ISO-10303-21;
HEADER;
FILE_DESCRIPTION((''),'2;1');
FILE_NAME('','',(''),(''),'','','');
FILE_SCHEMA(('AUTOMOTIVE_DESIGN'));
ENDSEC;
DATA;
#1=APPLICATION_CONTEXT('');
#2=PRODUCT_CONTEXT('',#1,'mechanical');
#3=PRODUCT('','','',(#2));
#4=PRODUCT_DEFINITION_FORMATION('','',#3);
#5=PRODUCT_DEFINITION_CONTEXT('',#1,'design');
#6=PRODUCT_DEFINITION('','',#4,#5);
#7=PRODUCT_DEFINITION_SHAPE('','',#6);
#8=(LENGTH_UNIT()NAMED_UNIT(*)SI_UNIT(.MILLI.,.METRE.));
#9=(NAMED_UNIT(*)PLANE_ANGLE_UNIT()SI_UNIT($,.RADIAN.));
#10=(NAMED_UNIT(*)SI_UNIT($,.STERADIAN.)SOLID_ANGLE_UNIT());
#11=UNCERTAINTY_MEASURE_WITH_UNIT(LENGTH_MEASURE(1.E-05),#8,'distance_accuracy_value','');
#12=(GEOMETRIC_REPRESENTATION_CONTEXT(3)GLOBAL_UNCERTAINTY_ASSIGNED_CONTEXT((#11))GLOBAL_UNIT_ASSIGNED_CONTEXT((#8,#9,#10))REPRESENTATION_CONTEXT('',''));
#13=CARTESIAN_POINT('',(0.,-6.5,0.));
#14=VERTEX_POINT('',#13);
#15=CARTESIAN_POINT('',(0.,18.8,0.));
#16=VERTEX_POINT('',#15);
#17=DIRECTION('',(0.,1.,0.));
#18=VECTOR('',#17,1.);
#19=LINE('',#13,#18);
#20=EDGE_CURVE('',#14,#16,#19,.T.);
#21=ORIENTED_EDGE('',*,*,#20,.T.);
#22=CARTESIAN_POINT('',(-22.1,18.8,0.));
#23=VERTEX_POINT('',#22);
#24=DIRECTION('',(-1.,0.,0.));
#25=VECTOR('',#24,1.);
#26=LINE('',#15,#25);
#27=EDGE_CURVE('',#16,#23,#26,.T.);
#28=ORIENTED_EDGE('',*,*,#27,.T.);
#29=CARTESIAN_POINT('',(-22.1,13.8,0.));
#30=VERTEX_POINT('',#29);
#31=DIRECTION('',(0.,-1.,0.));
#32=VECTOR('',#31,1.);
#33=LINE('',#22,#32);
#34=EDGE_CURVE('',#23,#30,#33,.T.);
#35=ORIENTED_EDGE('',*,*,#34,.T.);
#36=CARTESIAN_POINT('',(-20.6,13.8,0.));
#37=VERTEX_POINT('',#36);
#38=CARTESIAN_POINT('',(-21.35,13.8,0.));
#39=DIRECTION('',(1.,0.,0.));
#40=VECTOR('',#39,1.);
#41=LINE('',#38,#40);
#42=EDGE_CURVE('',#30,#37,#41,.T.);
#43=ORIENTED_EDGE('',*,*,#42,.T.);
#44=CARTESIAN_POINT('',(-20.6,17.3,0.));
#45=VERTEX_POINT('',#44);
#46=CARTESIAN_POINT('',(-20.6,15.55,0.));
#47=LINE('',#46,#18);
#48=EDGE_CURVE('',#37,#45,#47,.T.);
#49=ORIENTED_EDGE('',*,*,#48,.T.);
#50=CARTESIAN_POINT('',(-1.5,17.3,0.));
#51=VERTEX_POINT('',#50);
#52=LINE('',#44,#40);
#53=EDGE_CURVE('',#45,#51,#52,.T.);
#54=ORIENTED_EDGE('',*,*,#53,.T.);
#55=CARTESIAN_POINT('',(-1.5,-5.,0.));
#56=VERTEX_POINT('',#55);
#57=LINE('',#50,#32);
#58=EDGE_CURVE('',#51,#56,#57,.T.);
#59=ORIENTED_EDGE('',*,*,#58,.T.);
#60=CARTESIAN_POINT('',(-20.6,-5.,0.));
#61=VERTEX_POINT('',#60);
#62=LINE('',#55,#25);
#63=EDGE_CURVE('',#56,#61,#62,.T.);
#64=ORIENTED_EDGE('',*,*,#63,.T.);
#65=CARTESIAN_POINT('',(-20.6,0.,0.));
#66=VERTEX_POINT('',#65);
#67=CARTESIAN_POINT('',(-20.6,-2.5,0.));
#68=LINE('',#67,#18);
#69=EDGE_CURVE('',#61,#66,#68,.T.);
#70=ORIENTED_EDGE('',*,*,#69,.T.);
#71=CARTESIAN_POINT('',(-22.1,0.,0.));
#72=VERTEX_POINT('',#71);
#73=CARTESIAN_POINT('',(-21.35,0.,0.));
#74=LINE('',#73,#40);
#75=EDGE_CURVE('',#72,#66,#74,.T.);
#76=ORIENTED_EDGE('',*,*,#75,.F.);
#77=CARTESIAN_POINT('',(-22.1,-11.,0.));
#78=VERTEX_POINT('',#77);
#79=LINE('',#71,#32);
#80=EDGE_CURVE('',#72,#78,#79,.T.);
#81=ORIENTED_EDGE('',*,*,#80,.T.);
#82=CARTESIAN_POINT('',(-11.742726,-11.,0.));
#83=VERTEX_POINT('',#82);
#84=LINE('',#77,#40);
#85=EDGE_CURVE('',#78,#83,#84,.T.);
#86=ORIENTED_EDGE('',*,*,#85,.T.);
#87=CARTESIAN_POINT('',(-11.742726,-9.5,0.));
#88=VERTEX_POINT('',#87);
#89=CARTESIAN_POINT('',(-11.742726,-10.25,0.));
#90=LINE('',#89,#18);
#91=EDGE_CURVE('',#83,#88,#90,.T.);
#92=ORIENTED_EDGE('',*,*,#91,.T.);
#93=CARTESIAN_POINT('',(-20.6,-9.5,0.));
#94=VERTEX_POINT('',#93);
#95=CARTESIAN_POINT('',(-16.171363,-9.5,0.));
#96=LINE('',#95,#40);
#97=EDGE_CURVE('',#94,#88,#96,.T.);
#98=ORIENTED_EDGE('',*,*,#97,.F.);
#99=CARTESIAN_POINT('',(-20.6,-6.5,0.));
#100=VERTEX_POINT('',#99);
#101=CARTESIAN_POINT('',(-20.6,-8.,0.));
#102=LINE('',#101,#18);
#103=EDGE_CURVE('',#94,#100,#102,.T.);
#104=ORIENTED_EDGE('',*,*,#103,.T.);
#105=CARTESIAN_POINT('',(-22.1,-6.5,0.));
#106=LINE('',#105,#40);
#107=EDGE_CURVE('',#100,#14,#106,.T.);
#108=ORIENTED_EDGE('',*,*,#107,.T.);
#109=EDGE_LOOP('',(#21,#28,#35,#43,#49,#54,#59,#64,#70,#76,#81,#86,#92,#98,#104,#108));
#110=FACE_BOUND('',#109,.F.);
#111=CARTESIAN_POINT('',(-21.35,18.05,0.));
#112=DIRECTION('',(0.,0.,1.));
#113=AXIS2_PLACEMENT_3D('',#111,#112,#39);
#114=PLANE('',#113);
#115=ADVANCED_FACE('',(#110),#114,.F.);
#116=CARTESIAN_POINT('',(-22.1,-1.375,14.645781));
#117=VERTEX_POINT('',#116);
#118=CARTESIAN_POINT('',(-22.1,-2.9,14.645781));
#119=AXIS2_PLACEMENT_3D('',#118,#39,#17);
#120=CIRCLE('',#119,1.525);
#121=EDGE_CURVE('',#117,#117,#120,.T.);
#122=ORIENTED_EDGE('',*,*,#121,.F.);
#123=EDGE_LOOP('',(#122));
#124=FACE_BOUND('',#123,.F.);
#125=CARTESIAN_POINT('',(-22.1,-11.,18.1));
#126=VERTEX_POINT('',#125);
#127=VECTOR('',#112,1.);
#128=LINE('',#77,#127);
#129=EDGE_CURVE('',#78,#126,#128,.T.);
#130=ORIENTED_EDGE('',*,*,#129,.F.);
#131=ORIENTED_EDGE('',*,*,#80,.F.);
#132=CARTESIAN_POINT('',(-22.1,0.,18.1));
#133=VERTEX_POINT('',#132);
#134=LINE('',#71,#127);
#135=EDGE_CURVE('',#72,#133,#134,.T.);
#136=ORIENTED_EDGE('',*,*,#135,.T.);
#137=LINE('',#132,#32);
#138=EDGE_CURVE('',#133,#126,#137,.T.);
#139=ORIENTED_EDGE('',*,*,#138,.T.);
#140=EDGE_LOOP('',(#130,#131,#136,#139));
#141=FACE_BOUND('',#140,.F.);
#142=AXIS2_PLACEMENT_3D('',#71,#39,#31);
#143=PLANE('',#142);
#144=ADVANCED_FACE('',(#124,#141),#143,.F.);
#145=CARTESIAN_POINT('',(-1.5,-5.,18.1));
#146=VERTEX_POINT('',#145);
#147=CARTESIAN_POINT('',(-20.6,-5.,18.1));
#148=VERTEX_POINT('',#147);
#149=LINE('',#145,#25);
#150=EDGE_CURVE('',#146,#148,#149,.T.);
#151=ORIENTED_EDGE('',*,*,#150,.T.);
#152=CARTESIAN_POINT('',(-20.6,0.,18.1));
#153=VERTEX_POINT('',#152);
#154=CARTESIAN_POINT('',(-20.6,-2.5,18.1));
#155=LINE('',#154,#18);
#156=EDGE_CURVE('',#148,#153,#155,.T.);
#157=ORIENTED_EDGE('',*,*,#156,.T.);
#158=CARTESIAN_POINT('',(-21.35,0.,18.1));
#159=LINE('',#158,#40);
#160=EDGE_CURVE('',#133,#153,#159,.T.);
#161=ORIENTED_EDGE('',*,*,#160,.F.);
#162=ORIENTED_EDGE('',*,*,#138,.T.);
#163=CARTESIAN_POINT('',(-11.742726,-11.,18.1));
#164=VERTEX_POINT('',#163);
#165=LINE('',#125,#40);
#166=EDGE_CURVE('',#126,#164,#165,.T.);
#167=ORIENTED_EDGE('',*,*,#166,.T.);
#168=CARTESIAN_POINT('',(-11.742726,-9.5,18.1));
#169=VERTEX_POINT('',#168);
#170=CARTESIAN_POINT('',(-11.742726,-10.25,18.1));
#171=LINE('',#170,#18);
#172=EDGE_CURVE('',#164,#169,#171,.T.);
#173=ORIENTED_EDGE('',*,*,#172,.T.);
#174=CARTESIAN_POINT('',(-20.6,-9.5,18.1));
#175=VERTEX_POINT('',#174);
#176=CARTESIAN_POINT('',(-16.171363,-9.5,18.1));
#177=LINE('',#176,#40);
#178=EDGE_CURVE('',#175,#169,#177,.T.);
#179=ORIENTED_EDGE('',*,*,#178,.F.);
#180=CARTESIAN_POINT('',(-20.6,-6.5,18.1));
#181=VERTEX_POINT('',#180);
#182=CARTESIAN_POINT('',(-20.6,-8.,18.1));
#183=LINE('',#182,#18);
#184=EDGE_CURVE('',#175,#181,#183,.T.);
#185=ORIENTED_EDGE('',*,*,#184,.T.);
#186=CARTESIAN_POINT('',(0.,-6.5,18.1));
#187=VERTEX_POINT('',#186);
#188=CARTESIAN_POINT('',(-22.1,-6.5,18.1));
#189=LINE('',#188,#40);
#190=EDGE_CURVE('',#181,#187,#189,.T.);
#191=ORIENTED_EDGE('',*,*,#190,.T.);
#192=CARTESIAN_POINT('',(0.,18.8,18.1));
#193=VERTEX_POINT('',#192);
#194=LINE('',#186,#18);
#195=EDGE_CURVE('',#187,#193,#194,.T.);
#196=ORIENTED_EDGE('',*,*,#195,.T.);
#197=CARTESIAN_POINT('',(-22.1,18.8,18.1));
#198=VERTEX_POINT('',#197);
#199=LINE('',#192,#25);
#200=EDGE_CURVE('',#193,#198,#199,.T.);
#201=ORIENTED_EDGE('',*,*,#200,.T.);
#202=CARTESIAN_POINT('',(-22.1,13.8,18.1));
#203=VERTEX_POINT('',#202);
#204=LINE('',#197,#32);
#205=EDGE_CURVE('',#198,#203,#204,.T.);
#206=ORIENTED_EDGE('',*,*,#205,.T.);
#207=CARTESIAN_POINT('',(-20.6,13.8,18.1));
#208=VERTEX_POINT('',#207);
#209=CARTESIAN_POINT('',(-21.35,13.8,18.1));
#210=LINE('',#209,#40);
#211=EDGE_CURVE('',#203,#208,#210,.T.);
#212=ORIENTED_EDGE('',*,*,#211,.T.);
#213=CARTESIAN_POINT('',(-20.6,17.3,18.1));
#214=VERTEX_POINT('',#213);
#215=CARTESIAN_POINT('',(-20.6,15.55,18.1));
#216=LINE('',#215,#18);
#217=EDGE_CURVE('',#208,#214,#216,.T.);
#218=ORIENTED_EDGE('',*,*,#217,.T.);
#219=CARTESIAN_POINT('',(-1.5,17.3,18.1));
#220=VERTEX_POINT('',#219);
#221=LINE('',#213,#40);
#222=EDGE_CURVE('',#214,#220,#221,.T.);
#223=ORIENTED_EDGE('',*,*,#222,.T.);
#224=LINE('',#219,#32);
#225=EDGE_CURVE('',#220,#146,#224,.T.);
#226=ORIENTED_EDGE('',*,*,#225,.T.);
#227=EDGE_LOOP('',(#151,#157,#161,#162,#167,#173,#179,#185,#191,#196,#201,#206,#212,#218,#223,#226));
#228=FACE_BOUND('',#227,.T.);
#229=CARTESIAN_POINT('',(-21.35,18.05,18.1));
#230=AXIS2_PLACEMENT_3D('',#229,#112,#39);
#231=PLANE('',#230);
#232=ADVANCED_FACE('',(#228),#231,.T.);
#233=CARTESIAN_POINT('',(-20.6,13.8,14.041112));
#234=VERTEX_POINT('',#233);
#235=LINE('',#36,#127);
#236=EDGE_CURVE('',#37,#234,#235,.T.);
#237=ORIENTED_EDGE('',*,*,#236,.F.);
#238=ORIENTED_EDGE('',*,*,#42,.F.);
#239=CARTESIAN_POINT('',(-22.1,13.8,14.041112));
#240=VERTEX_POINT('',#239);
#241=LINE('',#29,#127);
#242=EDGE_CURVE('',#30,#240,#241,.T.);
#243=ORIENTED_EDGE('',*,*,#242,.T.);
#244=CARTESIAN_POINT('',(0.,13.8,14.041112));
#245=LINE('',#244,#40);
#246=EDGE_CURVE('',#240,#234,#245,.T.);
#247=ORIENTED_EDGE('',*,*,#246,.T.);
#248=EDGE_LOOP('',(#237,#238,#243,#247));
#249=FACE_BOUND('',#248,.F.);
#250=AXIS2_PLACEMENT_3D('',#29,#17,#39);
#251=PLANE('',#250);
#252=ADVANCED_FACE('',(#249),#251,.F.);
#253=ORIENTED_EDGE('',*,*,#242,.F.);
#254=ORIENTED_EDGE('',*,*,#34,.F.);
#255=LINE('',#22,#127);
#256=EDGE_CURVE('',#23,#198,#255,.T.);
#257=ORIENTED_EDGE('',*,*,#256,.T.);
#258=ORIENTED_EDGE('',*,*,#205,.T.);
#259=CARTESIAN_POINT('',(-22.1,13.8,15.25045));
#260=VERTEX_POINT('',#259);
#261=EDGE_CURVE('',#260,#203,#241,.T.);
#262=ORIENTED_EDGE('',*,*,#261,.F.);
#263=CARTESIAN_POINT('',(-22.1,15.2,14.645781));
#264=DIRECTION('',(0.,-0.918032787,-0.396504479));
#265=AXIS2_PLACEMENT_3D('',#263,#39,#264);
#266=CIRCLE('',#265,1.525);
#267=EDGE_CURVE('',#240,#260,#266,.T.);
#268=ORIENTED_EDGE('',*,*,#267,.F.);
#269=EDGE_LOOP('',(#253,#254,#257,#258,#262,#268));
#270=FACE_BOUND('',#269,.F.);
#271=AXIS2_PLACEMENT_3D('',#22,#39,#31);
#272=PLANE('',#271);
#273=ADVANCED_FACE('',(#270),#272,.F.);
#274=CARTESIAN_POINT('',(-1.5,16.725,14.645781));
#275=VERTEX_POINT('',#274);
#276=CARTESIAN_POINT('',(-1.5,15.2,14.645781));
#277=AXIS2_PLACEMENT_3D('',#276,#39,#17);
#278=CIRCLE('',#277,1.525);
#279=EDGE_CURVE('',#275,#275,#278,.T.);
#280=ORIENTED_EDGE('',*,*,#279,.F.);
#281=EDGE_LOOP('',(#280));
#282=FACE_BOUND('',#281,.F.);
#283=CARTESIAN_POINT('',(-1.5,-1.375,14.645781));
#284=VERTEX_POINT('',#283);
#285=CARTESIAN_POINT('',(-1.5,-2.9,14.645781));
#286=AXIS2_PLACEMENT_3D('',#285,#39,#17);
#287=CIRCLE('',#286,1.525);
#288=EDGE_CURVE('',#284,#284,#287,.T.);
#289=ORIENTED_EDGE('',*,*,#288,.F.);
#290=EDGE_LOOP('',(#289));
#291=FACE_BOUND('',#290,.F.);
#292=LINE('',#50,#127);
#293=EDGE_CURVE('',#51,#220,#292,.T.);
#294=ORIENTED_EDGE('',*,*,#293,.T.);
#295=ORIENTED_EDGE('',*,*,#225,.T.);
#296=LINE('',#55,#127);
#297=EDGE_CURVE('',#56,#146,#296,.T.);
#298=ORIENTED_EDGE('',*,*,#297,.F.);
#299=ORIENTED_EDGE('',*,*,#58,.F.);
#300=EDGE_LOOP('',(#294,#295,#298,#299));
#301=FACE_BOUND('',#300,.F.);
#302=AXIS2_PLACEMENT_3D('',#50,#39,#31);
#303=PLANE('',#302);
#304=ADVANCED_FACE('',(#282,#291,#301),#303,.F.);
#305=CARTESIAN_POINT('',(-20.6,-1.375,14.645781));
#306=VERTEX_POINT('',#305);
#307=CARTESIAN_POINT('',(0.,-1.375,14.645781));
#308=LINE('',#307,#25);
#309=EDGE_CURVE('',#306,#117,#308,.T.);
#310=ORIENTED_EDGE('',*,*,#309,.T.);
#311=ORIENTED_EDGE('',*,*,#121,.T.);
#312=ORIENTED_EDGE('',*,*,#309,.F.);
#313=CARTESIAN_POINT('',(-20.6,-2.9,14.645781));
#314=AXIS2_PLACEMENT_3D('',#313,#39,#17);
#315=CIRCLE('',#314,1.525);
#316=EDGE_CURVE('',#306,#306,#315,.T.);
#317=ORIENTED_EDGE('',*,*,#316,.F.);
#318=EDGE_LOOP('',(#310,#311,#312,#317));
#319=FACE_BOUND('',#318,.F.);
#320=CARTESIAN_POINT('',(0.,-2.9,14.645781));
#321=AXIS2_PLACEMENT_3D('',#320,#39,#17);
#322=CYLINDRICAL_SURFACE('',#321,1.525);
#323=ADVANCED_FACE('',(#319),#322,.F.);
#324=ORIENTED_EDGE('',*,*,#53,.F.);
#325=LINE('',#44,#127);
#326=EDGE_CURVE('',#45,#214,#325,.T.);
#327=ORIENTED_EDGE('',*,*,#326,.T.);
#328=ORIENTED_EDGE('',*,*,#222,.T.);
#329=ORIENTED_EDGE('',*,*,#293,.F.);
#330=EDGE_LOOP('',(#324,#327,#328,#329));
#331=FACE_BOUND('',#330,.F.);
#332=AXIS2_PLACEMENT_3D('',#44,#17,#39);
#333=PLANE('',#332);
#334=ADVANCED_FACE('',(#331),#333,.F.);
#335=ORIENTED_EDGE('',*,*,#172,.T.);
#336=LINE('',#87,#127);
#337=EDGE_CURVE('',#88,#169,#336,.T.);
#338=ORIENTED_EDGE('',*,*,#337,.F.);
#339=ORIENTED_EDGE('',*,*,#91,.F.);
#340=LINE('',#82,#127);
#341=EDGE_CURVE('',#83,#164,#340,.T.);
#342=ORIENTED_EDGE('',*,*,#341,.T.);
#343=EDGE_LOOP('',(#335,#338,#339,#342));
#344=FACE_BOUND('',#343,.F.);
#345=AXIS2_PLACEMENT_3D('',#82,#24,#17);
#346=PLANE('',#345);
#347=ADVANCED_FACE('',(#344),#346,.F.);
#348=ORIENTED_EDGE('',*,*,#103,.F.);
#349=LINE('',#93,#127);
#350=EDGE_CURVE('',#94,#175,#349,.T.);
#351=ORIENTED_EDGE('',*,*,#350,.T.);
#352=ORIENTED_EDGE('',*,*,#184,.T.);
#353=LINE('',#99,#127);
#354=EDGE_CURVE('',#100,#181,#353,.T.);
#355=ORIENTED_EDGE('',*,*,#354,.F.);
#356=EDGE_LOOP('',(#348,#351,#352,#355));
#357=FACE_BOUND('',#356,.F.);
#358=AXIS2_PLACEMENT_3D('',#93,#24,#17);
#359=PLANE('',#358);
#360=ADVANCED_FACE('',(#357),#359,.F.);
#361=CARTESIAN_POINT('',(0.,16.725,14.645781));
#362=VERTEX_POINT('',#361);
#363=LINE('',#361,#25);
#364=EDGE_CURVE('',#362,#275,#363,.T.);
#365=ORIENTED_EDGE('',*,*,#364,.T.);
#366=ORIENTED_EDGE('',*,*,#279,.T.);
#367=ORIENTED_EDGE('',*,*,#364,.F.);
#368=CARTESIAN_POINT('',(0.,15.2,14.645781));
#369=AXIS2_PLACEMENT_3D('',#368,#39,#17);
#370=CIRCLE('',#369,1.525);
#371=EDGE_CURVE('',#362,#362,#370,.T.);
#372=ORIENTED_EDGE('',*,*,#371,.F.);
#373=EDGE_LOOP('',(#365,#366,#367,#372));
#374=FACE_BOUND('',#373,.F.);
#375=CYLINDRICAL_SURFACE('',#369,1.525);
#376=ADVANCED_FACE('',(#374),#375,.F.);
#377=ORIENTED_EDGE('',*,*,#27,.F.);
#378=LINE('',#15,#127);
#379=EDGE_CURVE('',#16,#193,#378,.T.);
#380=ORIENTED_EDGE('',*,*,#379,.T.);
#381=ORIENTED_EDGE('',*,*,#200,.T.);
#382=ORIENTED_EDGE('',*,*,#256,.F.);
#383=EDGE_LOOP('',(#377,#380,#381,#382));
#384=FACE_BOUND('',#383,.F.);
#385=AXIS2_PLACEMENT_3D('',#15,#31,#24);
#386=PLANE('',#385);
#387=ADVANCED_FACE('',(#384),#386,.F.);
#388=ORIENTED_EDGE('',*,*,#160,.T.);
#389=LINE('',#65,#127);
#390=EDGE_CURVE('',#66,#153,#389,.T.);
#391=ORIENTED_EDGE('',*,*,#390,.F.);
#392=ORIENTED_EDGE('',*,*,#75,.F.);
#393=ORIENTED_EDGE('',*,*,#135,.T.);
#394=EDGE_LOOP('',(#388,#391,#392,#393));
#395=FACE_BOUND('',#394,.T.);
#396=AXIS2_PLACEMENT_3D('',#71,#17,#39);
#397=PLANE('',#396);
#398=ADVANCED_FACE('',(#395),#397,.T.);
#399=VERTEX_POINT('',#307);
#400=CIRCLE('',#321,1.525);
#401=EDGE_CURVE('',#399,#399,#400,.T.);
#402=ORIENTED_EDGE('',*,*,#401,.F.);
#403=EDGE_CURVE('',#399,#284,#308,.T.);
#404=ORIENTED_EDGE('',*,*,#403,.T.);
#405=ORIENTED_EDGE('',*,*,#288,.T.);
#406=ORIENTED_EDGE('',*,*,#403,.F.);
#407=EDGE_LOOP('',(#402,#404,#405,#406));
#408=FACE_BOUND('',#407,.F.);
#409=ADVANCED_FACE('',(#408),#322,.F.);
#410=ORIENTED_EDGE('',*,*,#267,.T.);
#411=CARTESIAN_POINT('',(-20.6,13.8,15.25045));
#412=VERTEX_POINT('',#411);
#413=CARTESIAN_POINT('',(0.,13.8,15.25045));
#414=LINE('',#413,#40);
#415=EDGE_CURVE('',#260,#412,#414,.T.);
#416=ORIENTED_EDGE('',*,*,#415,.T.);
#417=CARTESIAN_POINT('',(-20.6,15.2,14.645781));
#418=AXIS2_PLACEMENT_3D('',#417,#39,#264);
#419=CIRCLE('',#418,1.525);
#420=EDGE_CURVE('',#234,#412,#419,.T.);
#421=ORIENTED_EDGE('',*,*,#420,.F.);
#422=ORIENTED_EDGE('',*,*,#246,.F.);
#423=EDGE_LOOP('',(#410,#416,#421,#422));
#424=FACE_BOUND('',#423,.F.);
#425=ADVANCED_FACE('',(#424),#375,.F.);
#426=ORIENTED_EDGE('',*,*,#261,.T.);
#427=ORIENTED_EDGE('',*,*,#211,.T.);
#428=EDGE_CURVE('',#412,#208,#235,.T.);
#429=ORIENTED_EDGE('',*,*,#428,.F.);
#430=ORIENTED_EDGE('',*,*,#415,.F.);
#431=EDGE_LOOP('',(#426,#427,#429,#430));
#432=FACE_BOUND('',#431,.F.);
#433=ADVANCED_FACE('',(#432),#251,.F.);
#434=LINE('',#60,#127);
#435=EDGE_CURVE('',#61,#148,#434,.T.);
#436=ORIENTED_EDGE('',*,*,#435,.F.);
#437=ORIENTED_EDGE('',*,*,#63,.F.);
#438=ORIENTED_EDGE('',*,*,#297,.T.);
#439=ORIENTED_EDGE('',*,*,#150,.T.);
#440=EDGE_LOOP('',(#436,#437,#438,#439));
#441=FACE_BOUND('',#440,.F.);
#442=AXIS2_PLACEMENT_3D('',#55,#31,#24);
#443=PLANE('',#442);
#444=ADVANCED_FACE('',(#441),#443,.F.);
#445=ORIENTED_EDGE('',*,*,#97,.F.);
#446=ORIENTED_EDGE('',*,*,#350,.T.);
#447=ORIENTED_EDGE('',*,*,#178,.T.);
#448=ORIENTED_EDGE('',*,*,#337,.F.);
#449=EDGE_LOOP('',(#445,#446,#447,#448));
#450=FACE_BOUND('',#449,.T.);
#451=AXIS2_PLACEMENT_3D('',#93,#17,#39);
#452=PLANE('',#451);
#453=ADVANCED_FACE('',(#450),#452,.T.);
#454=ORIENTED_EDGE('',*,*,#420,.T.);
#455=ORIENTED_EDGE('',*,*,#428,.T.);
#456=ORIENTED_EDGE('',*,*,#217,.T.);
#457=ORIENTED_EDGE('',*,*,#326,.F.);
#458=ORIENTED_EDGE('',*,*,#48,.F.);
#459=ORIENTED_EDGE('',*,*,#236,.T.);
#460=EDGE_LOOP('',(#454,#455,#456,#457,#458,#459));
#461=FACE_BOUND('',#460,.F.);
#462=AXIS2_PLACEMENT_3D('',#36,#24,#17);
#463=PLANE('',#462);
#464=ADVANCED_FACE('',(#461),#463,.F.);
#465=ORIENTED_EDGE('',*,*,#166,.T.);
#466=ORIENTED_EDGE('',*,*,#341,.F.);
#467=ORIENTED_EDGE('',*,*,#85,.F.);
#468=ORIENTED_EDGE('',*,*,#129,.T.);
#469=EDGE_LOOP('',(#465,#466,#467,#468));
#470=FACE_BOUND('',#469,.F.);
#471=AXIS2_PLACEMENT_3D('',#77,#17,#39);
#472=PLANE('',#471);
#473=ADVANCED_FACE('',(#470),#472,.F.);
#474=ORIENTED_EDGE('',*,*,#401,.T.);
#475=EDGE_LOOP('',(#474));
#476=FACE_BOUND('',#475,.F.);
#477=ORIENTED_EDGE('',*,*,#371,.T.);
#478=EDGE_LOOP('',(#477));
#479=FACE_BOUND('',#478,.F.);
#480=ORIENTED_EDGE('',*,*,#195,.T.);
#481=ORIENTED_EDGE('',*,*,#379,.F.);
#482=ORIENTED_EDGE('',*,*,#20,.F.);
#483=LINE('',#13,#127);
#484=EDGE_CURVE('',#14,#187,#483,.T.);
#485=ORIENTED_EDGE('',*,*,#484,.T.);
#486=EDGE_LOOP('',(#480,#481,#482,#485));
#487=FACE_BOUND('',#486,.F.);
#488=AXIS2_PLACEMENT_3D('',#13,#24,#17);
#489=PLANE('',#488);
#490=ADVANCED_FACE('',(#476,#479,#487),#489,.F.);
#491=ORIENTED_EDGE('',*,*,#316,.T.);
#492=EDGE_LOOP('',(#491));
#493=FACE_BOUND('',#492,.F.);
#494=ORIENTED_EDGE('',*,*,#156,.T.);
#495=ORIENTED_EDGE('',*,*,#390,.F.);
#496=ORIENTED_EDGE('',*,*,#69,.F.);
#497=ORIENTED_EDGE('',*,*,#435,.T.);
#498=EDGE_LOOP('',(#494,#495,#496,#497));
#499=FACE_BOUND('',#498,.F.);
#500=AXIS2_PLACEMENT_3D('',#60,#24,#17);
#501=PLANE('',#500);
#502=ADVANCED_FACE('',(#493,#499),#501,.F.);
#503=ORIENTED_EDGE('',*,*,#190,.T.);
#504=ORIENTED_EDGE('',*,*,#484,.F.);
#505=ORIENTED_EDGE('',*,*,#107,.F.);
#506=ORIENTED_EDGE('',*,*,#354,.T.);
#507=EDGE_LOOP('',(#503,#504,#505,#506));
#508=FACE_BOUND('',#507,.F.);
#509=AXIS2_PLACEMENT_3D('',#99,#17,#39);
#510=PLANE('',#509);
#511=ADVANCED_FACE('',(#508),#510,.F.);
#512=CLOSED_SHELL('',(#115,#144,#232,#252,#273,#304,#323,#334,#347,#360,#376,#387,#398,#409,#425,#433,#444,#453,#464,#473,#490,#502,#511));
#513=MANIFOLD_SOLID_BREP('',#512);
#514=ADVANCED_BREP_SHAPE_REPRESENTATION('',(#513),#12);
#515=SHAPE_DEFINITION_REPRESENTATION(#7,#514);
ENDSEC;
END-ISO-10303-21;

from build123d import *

# Parameters (mm, degrees)
F0_W     = 1.5
F0_H     = 1.5
F0_W_2   = 19.1
F0_H_2   = 3.5
F0_H_3   = 22.3
F0_H_4   = 5
F0_H_5   = 3
F0_W_3   = 8.857275
F1_DEPTH = 18.1
F2_R     = 1.525
F3_DEPTH = 25


with BuildPart() as f1:
    # F0 (on Top) → F1 (new body)
    with BuildSketch(Plane.XY):
        with Locations((-21.35, 18.05)):
            Rectangle(F0_W, F0_H)
        with Locations((-11.05, 18.05)):
            Rectangle(F0_W_2, F0_H)
        with Locations((-21.35, 15.55)):
            Rectangle(F0_W, F0_H_2)
        with Locations((-0.75, 18.05)):
            Rectangle(F0_W, F0_H)
        with Locations((-0.75, 6.15)):
            Rectangle(F0_W, F0_H_3)
        with Locations((-0.75, -5.75)):
            Rectangle(F0_W, F0_H)
        with Locations((-11.05, -5.75)):
            Rectangle(F0_W_2, F0_H)
        with Locations((-21.35, -5.75)):
            Rectangle(F0_W, F0_H)
        with Locations((-21.35, -2.5)):
            Rectangle(F0_W, F0_H_4)
        with Locations((-21.35, -8)):
            Rectangle(F0_W, F0_H_5)
        with Locations((-16.171363, -10.25)):
            Rectangle(F0_W_3, F0_H)
        with Locations((-21.35, -10.25)):
            Rectangle(F0_W, F0_H)
    extrude(amount=F1_DEPTH)

    # F2 (on face) → F3 (cut)
    with BuildSketch(Plane.YZ):
        with Locations((-2.9, 14.645781)):
            Circle(F2_R)
        with Locations((15.2, 14.645781)):
            Circle(F2_R)
    extrude(amount=-F3_DEPTH, mode=Mode.SUBTRACT)


solid = f1.part
